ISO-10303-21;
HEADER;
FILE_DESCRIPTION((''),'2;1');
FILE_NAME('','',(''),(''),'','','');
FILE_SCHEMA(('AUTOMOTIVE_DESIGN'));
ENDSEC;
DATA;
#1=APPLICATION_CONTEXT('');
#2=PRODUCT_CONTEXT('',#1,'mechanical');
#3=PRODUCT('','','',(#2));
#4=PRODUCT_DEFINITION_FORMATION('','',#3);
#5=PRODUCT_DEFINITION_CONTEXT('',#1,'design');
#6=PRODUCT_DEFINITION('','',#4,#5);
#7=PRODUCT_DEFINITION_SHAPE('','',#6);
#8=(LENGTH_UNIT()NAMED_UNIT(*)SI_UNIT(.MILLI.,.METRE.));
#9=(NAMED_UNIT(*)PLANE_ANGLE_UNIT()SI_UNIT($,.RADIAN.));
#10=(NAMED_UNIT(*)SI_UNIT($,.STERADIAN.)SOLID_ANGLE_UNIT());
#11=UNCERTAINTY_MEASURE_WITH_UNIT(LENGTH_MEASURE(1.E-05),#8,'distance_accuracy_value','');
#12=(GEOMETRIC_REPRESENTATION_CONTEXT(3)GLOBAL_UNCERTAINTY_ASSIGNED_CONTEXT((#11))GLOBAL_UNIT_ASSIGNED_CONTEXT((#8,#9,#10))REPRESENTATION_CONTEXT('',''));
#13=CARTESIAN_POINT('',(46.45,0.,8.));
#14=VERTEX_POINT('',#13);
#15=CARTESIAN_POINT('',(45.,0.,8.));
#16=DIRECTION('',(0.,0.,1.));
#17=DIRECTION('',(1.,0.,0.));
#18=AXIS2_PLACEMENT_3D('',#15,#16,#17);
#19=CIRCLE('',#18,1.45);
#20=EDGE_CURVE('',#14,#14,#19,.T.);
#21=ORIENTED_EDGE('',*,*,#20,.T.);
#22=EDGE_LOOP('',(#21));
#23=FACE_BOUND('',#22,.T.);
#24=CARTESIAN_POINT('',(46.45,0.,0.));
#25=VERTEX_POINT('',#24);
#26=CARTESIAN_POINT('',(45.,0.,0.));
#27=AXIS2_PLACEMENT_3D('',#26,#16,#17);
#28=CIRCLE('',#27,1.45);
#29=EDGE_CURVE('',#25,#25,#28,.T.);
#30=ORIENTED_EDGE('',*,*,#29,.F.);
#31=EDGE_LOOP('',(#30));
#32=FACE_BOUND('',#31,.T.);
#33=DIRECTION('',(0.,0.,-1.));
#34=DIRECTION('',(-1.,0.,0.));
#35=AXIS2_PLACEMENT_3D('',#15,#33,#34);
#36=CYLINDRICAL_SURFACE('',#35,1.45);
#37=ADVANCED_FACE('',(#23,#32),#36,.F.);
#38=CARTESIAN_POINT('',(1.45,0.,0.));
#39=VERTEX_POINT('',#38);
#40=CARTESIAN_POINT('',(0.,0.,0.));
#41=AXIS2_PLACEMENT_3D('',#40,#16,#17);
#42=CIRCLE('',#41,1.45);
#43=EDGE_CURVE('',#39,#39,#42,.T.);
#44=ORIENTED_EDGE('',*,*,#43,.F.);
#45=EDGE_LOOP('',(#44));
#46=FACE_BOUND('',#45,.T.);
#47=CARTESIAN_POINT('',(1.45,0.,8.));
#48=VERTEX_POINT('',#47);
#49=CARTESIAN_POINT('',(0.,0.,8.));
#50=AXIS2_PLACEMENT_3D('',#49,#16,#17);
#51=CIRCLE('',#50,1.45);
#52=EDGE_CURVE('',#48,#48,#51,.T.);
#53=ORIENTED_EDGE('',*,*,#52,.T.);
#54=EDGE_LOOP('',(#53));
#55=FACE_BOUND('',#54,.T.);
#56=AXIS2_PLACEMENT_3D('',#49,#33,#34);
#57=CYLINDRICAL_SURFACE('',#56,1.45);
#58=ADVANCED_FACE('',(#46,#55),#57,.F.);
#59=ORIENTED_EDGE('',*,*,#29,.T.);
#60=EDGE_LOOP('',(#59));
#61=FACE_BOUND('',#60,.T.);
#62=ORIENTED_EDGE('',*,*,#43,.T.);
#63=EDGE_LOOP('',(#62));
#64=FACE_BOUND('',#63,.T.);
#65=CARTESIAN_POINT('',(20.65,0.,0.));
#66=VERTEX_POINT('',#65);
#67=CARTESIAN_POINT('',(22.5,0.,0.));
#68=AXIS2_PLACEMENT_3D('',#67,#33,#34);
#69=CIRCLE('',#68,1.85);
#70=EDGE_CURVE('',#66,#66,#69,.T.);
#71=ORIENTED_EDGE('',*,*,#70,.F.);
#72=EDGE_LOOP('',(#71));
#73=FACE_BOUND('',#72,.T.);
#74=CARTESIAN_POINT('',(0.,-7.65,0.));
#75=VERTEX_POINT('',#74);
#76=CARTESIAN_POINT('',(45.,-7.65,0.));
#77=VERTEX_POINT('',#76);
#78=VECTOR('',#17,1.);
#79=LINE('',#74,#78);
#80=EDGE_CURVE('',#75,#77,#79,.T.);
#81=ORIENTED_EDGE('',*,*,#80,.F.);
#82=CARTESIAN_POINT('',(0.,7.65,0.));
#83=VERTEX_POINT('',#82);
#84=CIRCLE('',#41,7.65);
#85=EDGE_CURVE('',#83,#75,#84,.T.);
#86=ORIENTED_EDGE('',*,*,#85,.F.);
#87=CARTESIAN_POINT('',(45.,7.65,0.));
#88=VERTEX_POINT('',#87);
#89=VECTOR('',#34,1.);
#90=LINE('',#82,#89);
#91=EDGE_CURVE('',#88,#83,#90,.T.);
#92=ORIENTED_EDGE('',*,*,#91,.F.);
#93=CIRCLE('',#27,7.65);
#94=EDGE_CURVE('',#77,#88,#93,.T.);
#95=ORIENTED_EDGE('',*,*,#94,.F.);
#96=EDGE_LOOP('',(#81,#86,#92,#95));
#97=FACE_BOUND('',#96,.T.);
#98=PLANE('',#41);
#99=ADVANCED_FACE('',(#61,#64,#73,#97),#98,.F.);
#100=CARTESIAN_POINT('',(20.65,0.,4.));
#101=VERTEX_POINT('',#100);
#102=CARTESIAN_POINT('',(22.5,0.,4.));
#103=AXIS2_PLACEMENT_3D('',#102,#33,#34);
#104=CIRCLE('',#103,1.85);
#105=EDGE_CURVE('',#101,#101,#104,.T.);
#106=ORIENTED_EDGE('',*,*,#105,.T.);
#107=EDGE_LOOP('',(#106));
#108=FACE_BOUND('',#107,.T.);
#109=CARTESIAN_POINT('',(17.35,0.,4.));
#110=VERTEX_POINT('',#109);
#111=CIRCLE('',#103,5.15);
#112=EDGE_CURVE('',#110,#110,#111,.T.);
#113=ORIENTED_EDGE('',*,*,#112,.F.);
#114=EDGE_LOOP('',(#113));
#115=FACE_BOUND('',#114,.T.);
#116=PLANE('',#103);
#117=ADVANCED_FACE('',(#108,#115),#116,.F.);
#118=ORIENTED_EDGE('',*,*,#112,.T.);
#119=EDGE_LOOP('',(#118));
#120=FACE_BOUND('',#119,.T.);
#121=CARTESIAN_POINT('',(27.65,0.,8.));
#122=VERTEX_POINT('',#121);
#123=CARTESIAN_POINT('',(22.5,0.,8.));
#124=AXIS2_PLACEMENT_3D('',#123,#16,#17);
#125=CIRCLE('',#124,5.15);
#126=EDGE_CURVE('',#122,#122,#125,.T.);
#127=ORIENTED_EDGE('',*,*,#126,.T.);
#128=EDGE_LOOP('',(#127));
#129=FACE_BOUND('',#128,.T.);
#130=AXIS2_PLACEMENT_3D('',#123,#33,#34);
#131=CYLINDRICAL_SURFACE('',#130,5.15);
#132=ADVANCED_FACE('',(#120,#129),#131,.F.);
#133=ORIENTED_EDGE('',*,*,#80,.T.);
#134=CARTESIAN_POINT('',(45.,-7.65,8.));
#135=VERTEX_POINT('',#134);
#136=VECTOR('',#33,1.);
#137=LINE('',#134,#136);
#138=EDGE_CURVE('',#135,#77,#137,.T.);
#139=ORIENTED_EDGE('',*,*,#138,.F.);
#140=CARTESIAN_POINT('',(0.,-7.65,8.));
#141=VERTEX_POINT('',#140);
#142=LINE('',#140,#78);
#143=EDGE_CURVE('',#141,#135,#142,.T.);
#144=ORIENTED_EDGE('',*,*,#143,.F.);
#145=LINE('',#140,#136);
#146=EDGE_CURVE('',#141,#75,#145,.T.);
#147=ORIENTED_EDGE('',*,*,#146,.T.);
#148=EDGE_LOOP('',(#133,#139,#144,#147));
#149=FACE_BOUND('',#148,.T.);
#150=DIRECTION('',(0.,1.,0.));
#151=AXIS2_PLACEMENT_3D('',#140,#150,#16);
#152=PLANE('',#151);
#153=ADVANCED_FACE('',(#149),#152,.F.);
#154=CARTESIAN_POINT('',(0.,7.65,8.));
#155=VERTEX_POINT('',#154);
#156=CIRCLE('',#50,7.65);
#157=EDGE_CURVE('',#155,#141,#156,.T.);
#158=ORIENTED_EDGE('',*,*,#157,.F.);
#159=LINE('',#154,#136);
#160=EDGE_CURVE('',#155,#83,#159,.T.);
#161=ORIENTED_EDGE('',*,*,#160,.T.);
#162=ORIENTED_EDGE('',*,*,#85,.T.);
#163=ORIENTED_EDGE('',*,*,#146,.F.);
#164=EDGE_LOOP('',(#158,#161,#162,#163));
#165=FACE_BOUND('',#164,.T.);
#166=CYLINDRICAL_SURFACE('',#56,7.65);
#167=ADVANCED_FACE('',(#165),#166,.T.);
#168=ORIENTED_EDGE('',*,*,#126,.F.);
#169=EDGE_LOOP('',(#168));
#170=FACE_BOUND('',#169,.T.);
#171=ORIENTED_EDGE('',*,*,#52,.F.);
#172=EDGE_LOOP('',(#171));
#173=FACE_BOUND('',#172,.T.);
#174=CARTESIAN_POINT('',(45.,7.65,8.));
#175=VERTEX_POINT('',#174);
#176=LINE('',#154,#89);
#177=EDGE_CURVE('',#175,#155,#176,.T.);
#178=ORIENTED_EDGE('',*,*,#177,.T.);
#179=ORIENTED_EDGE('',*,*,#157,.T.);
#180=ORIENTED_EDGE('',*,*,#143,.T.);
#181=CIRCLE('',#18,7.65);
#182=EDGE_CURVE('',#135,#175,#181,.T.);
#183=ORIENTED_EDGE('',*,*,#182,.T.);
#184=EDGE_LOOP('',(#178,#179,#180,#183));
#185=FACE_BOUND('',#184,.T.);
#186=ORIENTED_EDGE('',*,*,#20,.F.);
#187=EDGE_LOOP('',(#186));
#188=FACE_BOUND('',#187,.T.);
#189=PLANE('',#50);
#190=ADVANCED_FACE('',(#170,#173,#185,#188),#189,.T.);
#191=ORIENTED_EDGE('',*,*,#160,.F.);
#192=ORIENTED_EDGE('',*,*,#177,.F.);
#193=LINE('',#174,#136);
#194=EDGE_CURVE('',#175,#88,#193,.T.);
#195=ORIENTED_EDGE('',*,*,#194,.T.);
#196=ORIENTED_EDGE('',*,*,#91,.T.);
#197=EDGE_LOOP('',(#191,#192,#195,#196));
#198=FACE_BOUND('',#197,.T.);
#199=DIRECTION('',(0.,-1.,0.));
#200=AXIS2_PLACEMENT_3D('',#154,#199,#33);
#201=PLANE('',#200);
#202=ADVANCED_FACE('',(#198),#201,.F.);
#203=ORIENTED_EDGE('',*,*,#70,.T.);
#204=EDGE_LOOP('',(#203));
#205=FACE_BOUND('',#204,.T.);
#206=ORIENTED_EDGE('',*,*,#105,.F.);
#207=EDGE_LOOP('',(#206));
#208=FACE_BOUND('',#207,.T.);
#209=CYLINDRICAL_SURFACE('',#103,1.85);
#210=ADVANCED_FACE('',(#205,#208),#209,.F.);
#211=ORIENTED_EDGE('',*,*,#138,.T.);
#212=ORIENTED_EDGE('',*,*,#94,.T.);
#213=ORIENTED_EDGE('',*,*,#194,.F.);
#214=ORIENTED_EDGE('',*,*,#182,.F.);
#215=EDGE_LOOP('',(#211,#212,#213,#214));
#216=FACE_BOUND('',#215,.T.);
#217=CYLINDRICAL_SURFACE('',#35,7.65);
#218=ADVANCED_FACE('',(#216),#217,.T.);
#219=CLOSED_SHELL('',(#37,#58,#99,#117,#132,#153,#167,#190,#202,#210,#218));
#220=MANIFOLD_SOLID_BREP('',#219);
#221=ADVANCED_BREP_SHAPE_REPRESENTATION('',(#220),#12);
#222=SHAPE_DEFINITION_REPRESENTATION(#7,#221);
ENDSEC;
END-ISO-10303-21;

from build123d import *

# Parameters (mm, degrees)
SKETCH_1_R      = 1.45
SKETCH_1_R_2    = 5.15
EXTRUDE_1_DEPTH = 8
SKETCH_2_R      = 5.305373799
SKETCH_2_R_2    = 1.85
EXTRUDE_2_DEPTH = 4


with BuildPart() as part:
    # Эскиз1 → Бобышка-Вытянуть1 (new body)
    with BuildSketch(Plane.XY):
        with BuildLine():
            Line((0, 7.65), (45, 7.65))
            ThreePointArc((45, 7.65), (52.65, 0), (45, -7.65))
            Line((45, -7.65), (0, -7.65))
            ThreePointArc((0, -7.65), (-7.65, 0), (0, 7.65))
        make_face()
        Circle(SKETCH_1_R, mode=Mode.SUBTRACT)
        with Locations((45, 0)):
            Circle(SKETCH_1_R, mode=Mode.SUBTRACT)
        with Locations((22.5, 0)):
            Circle(SKETCH_1_R_2, mode=Mode.SUBTRACT)
    extrude(amount=EXTRUDE_1_DEPTH)

    # Эскиз2 → Бобышка-Вытянуть2 (add)
    with BuildSketch(Plane(origin=(0, 0, 0), x_dir=(-1, 0, 0), z_dir=(0, 0, -1))):
        with Locations((-22.5, 0)):
            Circle(SKETCH_2_R)
        with Locations((-22.5, 0)):
            Circle(SKETCH_2_R_2, mode=Mode.SUBTRACT)
    extrude(amount=-EXTRUDE_2_DEPTH)


solid = part.part
